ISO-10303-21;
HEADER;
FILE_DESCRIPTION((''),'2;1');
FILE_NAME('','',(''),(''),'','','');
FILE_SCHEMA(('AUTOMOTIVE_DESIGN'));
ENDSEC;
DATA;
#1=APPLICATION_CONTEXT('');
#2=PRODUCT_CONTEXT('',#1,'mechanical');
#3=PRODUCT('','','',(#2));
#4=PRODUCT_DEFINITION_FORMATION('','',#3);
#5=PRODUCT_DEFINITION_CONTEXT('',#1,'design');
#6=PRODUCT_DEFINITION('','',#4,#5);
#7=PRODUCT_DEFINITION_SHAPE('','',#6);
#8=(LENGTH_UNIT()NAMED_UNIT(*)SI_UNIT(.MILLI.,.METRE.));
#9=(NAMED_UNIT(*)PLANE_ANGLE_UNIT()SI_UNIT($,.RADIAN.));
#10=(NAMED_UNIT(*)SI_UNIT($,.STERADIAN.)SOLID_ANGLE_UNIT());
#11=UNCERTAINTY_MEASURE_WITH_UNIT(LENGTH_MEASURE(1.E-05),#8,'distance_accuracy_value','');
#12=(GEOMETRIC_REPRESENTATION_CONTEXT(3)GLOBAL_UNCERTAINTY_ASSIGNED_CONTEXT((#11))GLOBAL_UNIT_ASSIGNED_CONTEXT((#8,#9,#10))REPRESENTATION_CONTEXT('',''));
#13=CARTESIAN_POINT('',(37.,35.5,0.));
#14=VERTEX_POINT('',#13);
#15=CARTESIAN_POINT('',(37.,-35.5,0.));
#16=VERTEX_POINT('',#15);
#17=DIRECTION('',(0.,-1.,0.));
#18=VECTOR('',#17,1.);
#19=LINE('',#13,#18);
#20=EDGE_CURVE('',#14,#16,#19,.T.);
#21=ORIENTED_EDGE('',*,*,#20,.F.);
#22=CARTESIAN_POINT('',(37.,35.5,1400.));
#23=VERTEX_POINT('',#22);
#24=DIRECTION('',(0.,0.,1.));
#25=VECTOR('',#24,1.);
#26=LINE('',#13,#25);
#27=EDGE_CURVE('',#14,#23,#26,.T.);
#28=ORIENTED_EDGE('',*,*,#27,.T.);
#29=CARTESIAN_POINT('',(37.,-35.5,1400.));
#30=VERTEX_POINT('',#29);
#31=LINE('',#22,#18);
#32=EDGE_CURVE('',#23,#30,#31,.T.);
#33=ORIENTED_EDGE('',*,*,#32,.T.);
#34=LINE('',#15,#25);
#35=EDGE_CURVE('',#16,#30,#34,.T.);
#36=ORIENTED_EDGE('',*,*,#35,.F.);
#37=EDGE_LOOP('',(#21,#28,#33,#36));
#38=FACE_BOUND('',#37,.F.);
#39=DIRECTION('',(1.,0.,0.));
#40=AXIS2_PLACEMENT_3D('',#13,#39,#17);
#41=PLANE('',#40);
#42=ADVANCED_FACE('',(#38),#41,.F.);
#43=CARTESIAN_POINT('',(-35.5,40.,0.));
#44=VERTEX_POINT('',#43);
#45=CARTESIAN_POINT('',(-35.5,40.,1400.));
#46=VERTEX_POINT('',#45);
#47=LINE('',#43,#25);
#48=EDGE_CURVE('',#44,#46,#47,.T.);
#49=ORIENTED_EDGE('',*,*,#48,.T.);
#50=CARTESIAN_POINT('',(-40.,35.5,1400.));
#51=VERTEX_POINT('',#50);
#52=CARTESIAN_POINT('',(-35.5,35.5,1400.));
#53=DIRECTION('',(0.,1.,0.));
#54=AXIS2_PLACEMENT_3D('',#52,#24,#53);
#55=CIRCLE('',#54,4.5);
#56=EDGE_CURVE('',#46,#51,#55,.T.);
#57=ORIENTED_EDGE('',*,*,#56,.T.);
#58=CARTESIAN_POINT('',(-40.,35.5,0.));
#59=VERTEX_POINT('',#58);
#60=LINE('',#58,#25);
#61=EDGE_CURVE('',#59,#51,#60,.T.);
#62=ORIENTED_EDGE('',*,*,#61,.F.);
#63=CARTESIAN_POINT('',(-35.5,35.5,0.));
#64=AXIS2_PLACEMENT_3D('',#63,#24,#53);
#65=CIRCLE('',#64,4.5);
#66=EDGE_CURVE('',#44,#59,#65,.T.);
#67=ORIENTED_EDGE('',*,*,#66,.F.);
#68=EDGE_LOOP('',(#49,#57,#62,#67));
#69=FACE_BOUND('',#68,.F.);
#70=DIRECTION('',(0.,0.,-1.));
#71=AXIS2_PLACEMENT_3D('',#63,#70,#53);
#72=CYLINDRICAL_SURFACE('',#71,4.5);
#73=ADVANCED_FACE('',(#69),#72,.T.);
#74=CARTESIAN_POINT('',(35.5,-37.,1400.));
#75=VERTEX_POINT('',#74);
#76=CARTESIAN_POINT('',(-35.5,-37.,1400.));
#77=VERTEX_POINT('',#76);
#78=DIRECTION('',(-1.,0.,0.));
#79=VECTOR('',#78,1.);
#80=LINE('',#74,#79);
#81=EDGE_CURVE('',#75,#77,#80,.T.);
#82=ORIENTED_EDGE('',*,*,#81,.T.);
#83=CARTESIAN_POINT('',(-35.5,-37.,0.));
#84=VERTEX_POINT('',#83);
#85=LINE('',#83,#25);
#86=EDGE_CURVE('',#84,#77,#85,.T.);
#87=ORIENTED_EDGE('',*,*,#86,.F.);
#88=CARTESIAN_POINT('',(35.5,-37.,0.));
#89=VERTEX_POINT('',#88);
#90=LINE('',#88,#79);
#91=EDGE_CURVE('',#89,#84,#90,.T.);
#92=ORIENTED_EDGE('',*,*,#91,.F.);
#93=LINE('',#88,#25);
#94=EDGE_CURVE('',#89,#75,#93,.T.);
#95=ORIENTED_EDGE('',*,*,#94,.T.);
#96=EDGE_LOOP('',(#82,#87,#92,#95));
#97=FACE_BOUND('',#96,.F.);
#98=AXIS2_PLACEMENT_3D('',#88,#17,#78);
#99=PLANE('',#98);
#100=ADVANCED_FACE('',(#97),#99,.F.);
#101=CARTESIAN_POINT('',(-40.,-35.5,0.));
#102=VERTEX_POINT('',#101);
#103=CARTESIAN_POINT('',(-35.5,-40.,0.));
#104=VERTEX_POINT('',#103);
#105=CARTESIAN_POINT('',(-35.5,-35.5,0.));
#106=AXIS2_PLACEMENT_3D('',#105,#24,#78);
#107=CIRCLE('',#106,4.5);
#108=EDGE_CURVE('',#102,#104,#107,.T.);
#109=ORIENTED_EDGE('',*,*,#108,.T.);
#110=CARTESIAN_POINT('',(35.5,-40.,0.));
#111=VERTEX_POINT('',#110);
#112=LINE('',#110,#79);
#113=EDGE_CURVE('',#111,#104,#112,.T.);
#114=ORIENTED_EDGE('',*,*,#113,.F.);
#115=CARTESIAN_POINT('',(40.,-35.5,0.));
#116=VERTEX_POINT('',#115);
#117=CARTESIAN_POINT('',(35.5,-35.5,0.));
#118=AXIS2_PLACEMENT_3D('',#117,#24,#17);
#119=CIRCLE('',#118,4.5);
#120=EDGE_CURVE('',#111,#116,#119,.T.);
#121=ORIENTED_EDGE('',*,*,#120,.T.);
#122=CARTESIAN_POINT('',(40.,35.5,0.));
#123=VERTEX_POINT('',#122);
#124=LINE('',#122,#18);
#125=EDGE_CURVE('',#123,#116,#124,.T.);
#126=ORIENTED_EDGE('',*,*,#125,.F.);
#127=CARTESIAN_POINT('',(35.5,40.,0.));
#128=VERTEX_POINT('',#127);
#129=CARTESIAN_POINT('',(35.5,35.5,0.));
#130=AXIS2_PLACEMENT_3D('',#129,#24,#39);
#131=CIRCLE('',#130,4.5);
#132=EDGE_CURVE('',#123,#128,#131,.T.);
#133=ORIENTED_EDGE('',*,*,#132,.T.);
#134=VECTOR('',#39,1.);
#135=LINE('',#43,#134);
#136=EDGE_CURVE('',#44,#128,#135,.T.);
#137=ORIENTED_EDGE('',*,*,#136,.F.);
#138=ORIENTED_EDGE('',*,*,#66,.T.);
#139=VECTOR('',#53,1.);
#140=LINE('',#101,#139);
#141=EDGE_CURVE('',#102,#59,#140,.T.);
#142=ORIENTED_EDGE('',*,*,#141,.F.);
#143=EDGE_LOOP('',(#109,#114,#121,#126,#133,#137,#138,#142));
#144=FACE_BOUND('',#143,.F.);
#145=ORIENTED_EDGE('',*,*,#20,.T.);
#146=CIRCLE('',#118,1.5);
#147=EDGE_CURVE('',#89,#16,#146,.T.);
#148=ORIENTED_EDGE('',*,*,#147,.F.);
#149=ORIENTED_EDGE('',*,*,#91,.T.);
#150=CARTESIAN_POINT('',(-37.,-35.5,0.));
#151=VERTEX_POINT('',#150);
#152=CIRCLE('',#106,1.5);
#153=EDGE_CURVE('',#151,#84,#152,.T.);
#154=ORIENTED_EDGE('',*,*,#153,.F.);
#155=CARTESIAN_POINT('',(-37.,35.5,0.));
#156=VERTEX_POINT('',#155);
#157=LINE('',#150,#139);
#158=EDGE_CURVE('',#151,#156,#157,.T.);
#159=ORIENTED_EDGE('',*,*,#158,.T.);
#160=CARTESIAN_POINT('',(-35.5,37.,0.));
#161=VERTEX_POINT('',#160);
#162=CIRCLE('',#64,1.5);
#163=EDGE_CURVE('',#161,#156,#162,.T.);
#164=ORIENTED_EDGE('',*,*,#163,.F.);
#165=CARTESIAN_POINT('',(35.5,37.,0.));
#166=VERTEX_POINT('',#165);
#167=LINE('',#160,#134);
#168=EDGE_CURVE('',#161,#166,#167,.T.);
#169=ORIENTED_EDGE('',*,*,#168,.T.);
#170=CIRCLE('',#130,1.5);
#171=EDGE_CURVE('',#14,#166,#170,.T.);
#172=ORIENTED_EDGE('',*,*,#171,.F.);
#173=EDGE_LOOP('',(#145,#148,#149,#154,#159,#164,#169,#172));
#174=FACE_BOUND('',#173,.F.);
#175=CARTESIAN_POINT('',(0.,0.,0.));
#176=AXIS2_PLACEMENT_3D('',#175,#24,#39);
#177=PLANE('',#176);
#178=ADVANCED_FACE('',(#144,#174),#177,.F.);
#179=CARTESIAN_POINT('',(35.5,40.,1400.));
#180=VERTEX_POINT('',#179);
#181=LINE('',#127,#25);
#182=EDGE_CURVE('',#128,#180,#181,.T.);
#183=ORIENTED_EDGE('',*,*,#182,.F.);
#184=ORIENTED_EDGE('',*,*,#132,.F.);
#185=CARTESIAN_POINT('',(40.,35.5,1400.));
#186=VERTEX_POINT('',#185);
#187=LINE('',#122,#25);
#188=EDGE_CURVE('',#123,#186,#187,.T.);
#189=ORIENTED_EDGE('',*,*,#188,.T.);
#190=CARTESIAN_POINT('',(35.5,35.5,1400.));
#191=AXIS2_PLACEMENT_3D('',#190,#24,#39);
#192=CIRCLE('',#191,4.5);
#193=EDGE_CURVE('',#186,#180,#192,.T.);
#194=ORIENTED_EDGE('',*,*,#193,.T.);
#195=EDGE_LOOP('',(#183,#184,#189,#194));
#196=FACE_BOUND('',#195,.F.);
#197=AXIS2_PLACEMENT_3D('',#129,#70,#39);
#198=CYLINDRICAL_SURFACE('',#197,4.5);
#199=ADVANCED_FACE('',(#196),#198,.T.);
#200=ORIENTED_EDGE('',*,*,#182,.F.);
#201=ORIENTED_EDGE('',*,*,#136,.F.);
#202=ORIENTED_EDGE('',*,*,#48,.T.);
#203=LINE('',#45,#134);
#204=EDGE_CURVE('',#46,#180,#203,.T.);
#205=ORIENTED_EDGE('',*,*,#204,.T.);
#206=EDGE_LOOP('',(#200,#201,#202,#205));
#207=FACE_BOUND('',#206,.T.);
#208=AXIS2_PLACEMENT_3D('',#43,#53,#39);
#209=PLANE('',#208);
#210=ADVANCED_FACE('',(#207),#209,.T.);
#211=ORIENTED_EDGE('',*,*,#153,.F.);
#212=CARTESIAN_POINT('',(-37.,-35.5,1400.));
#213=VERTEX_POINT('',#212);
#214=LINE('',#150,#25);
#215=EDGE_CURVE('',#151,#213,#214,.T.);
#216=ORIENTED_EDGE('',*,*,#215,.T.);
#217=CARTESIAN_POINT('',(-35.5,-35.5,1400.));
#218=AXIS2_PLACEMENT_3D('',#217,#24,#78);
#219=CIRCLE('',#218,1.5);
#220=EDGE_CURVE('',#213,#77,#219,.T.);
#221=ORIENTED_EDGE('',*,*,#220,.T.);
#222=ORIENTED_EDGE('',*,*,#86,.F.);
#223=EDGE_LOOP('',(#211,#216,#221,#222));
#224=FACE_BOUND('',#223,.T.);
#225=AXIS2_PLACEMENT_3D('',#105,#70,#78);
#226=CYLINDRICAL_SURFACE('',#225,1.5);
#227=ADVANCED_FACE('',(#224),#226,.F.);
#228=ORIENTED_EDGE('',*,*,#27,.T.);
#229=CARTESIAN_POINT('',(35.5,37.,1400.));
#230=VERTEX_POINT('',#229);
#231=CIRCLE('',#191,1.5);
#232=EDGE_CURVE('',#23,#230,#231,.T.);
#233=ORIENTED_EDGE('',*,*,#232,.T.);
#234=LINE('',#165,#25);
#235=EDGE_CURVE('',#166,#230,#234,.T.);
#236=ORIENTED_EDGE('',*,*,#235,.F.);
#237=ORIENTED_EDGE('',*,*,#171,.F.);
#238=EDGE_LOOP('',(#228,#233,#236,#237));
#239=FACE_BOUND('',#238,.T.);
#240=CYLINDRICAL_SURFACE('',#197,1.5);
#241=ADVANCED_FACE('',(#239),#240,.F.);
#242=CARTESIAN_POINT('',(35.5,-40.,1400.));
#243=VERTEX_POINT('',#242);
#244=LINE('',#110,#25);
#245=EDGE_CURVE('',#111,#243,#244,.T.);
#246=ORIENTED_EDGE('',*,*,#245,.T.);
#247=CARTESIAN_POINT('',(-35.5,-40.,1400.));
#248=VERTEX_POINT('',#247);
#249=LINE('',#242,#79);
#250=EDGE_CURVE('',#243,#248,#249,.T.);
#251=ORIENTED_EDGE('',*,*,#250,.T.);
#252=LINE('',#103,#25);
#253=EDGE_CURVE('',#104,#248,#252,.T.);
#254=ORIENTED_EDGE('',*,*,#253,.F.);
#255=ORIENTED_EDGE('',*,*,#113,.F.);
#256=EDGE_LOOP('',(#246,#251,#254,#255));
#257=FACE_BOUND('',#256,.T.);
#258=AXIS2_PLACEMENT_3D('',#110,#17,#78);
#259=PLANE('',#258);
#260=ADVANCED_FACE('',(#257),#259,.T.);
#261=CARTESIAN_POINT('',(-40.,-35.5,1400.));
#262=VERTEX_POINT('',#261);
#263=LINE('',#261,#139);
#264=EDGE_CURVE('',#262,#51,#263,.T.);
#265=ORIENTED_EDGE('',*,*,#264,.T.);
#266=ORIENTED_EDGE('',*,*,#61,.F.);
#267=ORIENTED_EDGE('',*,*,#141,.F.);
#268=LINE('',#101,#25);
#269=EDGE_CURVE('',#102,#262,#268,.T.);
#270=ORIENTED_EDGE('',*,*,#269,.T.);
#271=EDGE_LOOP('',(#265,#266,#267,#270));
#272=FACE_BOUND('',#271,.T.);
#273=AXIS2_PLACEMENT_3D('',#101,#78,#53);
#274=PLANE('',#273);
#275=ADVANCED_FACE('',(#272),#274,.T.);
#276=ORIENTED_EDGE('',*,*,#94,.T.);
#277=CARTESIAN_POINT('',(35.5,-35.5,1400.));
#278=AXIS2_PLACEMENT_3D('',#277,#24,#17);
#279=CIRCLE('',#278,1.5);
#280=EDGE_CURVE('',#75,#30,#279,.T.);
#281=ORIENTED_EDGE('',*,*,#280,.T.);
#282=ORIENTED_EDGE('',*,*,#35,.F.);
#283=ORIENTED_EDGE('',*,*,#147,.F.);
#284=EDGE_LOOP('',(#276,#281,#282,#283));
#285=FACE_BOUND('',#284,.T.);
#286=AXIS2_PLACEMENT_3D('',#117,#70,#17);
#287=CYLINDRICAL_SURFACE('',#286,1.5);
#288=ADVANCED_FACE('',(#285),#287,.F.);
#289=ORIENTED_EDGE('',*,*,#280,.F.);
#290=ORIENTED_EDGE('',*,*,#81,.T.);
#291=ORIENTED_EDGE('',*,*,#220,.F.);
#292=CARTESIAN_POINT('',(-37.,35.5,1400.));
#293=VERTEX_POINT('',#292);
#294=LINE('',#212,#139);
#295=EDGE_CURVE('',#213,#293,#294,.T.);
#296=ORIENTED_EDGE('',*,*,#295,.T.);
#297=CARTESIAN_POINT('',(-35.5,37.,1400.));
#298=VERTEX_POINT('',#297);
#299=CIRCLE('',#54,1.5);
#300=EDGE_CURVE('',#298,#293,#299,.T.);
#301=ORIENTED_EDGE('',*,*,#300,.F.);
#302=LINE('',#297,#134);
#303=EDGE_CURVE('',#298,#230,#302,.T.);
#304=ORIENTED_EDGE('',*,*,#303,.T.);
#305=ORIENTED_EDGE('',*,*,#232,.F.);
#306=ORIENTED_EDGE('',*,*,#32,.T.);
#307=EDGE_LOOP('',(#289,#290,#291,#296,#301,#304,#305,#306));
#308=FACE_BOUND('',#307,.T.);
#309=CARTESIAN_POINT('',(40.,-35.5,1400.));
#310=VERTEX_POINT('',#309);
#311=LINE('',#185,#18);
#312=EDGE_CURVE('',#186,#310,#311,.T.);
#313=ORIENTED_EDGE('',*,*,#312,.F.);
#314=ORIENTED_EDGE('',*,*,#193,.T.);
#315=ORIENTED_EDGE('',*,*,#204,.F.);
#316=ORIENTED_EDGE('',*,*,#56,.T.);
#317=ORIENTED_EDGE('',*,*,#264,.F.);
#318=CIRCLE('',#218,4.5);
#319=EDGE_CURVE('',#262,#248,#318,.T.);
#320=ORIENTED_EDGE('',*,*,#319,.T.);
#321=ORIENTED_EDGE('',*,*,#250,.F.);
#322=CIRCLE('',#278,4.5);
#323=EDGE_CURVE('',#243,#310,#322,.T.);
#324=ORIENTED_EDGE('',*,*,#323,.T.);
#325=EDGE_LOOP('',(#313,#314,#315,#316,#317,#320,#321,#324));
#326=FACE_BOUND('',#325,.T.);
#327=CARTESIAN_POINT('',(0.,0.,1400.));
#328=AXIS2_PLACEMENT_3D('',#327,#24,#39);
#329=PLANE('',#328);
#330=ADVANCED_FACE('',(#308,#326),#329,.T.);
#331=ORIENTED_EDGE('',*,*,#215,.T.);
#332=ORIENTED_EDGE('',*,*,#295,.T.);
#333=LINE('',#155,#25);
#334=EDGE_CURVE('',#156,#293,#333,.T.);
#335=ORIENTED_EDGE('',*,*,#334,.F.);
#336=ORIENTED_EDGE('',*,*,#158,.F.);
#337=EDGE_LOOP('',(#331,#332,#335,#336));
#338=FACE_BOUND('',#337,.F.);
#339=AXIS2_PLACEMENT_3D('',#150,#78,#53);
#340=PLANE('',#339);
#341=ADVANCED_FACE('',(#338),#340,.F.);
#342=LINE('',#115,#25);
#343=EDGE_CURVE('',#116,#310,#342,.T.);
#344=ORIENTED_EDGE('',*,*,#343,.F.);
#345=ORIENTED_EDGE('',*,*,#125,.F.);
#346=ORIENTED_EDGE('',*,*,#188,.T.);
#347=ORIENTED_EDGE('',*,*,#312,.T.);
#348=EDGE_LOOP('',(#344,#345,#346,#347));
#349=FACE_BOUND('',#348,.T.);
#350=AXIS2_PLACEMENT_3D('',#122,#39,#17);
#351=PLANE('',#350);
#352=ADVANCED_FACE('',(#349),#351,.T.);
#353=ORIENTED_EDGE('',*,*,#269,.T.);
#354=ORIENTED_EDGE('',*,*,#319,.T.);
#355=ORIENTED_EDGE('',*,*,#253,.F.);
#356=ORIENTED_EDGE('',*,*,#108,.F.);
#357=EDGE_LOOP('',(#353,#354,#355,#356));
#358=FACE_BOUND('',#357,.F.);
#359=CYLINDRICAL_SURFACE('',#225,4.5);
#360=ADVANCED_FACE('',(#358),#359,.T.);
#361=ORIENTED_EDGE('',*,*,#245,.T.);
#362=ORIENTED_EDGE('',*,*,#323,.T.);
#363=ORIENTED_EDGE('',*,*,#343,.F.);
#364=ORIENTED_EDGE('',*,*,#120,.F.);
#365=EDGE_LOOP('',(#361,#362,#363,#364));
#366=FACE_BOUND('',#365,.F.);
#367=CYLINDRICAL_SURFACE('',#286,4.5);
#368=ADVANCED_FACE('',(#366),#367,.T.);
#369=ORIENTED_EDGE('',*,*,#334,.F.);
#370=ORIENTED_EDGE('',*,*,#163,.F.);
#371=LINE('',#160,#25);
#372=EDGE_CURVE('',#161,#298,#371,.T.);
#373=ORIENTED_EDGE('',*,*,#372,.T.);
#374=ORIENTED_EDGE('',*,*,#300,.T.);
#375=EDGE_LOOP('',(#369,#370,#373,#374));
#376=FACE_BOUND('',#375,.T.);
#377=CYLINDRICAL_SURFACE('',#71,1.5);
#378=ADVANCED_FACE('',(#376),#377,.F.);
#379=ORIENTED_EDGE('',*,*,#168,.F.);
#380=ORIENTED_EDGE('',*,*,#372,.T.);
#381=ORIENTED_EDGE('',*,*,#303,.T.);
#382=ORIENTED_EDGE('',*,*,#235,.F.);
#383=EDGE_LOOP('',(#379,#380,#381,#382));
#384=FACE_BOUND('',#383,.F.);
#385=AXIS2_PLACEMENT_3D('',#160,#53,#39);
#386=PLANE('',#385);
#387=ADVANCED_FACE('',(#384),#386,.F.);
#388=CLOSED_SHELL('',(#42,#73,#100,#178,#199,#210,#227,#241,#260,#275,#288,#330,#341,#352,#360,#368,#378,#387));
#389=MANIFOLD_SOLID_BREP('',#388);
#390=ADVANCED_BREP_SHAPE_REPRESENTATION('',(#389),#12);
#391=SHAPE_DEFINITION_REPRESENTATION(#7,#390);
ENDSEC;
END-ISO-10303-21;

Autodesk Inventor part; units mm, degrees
ref_plane "YZ Plane" through (0, 0, 0) normal (1, 0, 0) x (0, 1, 0)
ref_plane "Start Plane" through (0, 0, 0) normal (0, 0, 1) x (1, 0, 0)
ref_plane "End Plane" through (0, 0, 1400) normal (0, 0, 1) x (1, 0, 0)
sketch "Sketch" plane through (0, 0, 0) normal (0, 0, 1) x (1, 0, 0)
  line L0 (-40, -35.5) -> (-40, 35.5)
  line L1 (-35.5, 40) -> (35.5, 40)
  line L2 (40, 35.5) -> (40, -35.5)
  line L3 (35.5, -40) -> (-35.5, -40)
  arc A0 (-40, -35.5) -> (-35.5, -40) centre (-35.5, -35.5) ccw
  arc A1 (-35.5, 40) -> (-40, 35.5) centre (-35.5, 35.5) ccw
  arc A2 (40, 35.5) -> (35.5, 40) centre (35.5, 35.5) ccw
  arc A3 (35.5, -40) -> (40, -35.5) centre (35.5, -35.5) ccw
  arc A4 (-35.5, 37) -> (-37, 35.5) centre (-35.5, 35.5) ccw
  line L4 (-35.5, 37) -> (35.5, 37)
  arc A5 (37, 35.5) -> (35.5, 37) centre (35.5, 35.5) ccw
  line L5 (37, 35.5) -> (37, -35.5)
  arc A6 (35.5, -37) -> (37, -35.5) centre (35.5, -35.5) ccw
  line L6 (35.5, -37) -> (-35.5, -37)
  arc A7 (-37, -35.5) -> (-35.5, -37) centre (-35.5, -35.5) ccw
  line L7 (-37, -35.5) -> (-37, 35.5)
  line L8 (0, 57.3048) -> (0, -57.3048) construction
  line L9 (-57.3048, 0) -> (57.3048, 0) construction
  dimension "d7" = 4.5
  dimension "d10" = 80
  dimension "d11" = 80
  dimension "d12" = 3
  dimension "d15" = 40
  dimension "d16" = 40
extrude "Body" add sketch "Sketch" along normal up to surface (1400 mm away) from surface at 0
sketch "Sketch3" plane through (0, 0, 0) normal (0, 0, 1) x (1, 0, 0)
  line L0 (0, 0) -> (10, 0)
ref_plane "Work Plane3" through (0, 0, 0) normal (0, -1, 0) x (1, 0, 0)
sketch "Sketch4" plane through (0, 0, 0) normal (0, -1, 0) x (1, 0, 0)
  line L0 (-2, 0) -> (12, 0) projected
  line L1 (-2, 1400) -> (12, 1400) projected
  dimension "d18" = 1400
equation "\"d7\" = G_IR"
equation "\"d10\" = G_H"
equation "\"d11\" = G_W"
equation "\"d12\" = G_T"
equation "\"d15\" = 0.5 * d10"
equation "\"d16\" = 0.5 * d11"
equation "\"d3\" = G_L"
equation "\"G_W\" = 80"
equation "\"G_H\" = 80"
equation "\"G_T\" = 3"
equation "\"G_IR\" = 4.5"
equation "\"G_L\" = d18"
equation "\"G_OFFSET_START\" = 0"
equation "\"G_OFFSET_END\" = 0"
properties part number "ISO 12633-2 - 80x80x3 - 1400" material "Steel, Mild"
